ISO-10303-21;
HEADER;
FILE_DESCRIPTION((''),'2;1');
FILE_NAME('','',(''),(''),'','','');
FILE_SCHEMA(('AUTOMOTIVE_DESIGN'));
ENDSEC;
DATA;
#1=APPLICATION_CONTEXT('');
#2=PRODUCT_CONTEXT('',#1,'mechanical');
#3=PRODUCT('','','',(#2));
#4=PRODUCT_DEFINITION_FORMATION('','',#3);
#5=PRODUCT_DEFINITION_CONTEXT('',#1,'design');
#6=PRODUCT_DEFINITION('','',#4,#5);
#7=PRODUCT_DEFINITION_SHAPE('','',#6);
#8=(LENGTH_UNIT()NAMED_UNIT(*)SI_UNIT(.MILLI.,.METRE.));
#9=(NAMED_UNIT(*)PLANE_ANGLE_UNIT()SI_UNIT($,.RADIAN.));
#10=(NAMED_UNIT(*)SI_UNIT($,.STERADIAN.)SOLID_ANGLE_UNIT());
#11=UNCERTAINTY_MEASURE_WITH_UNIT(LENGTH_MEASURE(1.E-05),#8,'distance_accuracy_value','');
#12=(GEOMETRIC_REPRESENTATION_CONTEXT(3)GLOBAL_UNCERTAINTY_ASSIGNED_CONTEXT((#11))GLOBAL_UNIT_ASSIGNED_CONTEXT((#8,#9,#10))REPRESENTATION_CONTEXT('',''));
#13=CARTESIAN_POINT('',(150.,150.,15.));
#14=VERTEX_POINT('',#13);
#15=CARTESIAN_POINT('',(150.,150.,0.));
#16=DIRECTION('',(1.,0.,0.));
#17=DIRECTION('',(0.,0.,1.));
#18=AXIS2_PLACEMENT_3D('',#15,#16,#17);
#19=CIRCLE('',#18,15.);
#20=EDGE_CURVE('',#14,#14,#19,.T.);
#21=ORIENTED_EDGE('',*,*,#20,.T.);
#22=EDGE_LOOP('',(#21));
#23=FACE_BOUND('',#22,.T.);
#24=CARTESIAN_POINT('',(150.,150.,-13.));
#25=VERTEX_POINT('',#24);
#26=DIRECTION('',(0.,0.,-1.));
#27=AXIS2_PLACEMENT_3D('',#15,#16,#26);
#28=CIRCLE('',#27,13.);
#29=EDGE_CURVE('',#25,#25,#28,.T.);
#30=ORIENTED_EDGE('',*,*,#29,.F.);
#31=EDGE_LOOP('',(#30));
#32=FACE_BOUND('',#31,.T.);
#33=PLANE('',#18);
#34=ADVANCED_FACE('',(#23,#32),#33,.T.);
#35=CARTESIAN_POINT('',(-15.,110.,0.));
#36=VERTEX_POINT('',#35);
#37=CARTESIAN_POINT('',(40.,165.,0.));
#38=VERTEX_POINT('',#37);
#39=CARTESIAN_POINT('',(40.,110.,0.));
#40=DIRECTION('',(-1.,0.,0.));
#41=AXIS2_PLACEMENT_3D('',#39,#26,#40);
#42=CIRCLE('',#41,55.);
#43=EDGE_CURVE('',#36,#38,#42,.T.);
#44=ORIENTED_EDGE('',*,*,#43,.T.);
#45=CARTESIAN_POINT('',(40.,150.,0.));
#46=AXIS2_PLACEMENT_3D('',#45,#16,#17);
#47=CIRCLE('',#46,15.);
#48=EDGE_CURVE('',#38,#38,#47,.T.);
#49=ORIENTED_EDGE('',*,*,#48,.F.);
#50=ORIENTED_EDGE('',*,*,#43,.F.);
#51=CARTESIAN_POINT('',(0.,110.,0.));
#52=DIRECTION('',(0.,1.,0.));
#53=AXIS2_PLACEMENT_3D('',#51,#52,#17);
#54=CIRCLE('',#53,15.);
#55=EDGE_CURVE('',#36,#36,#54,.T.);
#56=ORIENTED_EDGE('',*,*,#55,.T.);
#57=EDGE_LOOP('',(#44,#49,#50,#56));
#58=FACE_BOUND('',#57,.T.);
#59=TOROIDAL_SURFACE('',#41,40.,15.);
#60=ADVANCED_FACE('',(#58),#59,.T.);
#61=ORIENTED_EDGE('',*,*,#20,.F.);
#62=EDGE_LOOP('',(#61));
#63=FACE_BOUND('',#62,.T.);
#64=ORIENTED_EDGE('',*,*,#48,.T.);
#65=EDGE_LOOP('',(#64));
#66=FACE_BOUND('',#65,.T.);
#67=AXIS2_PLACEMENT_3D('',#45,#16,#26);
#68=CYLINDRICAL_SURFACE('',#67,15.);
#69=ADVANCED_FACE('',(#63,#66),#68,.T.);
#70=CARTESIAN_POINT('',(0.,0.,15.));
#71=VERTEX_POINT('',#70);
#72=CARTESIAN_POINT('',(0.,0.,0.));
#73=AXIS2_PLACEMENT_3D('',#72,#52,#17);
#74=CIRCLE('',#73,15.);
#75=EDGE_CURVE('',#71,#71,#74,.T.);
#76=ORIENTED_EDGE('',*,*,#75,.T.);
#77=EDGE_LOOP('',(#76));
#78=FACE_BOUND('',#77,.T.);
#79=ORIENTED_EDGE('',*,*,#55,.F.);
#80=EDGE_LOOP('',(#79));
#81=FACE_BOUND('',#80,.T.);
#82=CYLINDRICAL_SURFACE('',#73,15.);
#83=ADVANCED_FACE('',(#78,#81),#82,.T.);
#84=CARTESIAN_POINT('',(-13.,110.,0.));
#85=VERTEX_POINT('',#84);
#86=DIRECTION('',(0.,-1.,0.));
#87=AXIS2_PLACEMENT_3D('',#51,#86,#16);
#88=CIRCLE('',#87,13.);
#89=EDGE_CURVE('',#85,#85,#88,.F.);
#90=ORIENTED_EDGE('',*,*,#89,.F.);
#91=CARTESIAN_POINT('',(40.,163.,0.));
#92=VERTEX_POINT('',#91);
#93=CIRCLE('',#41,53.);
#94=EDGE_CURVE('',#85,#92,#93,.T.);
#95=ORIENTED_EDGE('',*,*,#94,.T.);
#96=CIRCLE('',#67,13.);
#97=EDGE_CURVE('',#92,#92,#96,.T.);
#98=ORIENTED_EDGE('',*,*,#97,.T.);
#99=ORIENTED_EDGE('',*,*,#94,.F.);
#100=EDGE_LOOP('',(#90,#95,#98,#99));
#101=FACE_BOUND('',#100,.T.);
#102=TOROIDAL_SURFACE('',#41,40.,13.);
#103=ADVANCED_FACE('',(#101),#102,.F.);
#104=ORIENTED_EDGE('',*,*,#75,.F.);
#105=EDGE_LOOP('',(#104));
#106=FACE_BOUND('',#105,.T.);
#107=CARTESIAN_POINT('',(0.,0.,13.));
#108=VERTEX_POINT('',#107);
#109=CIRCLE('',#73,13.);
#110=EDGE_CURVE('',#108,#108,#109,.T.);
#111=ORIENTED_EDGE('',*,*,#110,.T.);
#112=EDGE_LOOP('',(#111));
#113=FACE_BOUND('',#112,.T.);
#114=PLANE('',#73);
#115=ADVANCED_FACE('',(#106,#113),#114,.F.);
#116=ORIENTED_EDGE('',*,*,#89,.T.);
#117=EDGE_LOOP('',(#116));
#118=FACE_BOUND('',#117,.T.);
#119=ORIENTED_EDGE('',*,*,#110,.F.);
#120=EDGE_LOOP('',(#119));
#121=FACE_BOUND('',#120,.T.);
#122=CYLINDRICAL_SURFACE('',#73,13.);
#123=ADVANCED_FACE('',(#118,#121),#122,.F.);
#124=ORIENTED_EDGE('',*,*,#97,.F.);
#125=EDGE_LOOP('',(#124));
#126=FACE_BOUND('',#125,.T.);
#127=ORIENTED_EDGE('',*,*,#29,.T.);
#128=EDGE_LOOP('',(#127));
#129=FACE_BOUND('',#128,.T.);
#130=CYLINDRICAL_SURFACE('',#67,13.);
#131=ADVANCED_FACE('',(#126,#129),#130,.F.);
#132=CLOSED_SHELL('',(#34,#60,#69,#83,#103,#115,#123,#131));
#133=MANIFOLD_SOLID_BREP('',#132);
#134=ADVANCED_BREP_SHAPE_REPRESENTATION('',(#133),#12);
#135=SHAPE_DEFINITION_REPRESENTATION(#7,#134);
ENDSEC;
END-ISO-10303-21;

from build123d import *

# Parameters (mm, degrees)
ESBO_O2_R = 15
CASCA1_T  = -2


with BuildPart() as part:
    # Varredura1: sweep along a path in Esboço1
    with BuildLine(Plane.XY) as varredura1_path:
        Line((0, 0), (0, 110))
        ThreePointArc((0, 110), (11.715728753, 138.284271247), (40, 150))
        Line((40, 150), (150, 150))
    # Esboço2 → Varredura1 (sweep)
    with BuildSketch(Plane(origin=(0, 0, 0), x_dir=(1, 0, 0), z_dir=(0, 1, 0))):
        Circle(ESBO_O2_R)
    sweep(path=varredura1_path.line)

    # Casca1
    casca1_openings = [part.faces().sort_by_distance(p)[0] for p in [
        (150, 150, 0),
        (0, 0, 0),
    ]]
    offset(amount=CASCA1_T, openings=casca1_openings, kind=Kind.INTERSECTION)


solid = part.part
